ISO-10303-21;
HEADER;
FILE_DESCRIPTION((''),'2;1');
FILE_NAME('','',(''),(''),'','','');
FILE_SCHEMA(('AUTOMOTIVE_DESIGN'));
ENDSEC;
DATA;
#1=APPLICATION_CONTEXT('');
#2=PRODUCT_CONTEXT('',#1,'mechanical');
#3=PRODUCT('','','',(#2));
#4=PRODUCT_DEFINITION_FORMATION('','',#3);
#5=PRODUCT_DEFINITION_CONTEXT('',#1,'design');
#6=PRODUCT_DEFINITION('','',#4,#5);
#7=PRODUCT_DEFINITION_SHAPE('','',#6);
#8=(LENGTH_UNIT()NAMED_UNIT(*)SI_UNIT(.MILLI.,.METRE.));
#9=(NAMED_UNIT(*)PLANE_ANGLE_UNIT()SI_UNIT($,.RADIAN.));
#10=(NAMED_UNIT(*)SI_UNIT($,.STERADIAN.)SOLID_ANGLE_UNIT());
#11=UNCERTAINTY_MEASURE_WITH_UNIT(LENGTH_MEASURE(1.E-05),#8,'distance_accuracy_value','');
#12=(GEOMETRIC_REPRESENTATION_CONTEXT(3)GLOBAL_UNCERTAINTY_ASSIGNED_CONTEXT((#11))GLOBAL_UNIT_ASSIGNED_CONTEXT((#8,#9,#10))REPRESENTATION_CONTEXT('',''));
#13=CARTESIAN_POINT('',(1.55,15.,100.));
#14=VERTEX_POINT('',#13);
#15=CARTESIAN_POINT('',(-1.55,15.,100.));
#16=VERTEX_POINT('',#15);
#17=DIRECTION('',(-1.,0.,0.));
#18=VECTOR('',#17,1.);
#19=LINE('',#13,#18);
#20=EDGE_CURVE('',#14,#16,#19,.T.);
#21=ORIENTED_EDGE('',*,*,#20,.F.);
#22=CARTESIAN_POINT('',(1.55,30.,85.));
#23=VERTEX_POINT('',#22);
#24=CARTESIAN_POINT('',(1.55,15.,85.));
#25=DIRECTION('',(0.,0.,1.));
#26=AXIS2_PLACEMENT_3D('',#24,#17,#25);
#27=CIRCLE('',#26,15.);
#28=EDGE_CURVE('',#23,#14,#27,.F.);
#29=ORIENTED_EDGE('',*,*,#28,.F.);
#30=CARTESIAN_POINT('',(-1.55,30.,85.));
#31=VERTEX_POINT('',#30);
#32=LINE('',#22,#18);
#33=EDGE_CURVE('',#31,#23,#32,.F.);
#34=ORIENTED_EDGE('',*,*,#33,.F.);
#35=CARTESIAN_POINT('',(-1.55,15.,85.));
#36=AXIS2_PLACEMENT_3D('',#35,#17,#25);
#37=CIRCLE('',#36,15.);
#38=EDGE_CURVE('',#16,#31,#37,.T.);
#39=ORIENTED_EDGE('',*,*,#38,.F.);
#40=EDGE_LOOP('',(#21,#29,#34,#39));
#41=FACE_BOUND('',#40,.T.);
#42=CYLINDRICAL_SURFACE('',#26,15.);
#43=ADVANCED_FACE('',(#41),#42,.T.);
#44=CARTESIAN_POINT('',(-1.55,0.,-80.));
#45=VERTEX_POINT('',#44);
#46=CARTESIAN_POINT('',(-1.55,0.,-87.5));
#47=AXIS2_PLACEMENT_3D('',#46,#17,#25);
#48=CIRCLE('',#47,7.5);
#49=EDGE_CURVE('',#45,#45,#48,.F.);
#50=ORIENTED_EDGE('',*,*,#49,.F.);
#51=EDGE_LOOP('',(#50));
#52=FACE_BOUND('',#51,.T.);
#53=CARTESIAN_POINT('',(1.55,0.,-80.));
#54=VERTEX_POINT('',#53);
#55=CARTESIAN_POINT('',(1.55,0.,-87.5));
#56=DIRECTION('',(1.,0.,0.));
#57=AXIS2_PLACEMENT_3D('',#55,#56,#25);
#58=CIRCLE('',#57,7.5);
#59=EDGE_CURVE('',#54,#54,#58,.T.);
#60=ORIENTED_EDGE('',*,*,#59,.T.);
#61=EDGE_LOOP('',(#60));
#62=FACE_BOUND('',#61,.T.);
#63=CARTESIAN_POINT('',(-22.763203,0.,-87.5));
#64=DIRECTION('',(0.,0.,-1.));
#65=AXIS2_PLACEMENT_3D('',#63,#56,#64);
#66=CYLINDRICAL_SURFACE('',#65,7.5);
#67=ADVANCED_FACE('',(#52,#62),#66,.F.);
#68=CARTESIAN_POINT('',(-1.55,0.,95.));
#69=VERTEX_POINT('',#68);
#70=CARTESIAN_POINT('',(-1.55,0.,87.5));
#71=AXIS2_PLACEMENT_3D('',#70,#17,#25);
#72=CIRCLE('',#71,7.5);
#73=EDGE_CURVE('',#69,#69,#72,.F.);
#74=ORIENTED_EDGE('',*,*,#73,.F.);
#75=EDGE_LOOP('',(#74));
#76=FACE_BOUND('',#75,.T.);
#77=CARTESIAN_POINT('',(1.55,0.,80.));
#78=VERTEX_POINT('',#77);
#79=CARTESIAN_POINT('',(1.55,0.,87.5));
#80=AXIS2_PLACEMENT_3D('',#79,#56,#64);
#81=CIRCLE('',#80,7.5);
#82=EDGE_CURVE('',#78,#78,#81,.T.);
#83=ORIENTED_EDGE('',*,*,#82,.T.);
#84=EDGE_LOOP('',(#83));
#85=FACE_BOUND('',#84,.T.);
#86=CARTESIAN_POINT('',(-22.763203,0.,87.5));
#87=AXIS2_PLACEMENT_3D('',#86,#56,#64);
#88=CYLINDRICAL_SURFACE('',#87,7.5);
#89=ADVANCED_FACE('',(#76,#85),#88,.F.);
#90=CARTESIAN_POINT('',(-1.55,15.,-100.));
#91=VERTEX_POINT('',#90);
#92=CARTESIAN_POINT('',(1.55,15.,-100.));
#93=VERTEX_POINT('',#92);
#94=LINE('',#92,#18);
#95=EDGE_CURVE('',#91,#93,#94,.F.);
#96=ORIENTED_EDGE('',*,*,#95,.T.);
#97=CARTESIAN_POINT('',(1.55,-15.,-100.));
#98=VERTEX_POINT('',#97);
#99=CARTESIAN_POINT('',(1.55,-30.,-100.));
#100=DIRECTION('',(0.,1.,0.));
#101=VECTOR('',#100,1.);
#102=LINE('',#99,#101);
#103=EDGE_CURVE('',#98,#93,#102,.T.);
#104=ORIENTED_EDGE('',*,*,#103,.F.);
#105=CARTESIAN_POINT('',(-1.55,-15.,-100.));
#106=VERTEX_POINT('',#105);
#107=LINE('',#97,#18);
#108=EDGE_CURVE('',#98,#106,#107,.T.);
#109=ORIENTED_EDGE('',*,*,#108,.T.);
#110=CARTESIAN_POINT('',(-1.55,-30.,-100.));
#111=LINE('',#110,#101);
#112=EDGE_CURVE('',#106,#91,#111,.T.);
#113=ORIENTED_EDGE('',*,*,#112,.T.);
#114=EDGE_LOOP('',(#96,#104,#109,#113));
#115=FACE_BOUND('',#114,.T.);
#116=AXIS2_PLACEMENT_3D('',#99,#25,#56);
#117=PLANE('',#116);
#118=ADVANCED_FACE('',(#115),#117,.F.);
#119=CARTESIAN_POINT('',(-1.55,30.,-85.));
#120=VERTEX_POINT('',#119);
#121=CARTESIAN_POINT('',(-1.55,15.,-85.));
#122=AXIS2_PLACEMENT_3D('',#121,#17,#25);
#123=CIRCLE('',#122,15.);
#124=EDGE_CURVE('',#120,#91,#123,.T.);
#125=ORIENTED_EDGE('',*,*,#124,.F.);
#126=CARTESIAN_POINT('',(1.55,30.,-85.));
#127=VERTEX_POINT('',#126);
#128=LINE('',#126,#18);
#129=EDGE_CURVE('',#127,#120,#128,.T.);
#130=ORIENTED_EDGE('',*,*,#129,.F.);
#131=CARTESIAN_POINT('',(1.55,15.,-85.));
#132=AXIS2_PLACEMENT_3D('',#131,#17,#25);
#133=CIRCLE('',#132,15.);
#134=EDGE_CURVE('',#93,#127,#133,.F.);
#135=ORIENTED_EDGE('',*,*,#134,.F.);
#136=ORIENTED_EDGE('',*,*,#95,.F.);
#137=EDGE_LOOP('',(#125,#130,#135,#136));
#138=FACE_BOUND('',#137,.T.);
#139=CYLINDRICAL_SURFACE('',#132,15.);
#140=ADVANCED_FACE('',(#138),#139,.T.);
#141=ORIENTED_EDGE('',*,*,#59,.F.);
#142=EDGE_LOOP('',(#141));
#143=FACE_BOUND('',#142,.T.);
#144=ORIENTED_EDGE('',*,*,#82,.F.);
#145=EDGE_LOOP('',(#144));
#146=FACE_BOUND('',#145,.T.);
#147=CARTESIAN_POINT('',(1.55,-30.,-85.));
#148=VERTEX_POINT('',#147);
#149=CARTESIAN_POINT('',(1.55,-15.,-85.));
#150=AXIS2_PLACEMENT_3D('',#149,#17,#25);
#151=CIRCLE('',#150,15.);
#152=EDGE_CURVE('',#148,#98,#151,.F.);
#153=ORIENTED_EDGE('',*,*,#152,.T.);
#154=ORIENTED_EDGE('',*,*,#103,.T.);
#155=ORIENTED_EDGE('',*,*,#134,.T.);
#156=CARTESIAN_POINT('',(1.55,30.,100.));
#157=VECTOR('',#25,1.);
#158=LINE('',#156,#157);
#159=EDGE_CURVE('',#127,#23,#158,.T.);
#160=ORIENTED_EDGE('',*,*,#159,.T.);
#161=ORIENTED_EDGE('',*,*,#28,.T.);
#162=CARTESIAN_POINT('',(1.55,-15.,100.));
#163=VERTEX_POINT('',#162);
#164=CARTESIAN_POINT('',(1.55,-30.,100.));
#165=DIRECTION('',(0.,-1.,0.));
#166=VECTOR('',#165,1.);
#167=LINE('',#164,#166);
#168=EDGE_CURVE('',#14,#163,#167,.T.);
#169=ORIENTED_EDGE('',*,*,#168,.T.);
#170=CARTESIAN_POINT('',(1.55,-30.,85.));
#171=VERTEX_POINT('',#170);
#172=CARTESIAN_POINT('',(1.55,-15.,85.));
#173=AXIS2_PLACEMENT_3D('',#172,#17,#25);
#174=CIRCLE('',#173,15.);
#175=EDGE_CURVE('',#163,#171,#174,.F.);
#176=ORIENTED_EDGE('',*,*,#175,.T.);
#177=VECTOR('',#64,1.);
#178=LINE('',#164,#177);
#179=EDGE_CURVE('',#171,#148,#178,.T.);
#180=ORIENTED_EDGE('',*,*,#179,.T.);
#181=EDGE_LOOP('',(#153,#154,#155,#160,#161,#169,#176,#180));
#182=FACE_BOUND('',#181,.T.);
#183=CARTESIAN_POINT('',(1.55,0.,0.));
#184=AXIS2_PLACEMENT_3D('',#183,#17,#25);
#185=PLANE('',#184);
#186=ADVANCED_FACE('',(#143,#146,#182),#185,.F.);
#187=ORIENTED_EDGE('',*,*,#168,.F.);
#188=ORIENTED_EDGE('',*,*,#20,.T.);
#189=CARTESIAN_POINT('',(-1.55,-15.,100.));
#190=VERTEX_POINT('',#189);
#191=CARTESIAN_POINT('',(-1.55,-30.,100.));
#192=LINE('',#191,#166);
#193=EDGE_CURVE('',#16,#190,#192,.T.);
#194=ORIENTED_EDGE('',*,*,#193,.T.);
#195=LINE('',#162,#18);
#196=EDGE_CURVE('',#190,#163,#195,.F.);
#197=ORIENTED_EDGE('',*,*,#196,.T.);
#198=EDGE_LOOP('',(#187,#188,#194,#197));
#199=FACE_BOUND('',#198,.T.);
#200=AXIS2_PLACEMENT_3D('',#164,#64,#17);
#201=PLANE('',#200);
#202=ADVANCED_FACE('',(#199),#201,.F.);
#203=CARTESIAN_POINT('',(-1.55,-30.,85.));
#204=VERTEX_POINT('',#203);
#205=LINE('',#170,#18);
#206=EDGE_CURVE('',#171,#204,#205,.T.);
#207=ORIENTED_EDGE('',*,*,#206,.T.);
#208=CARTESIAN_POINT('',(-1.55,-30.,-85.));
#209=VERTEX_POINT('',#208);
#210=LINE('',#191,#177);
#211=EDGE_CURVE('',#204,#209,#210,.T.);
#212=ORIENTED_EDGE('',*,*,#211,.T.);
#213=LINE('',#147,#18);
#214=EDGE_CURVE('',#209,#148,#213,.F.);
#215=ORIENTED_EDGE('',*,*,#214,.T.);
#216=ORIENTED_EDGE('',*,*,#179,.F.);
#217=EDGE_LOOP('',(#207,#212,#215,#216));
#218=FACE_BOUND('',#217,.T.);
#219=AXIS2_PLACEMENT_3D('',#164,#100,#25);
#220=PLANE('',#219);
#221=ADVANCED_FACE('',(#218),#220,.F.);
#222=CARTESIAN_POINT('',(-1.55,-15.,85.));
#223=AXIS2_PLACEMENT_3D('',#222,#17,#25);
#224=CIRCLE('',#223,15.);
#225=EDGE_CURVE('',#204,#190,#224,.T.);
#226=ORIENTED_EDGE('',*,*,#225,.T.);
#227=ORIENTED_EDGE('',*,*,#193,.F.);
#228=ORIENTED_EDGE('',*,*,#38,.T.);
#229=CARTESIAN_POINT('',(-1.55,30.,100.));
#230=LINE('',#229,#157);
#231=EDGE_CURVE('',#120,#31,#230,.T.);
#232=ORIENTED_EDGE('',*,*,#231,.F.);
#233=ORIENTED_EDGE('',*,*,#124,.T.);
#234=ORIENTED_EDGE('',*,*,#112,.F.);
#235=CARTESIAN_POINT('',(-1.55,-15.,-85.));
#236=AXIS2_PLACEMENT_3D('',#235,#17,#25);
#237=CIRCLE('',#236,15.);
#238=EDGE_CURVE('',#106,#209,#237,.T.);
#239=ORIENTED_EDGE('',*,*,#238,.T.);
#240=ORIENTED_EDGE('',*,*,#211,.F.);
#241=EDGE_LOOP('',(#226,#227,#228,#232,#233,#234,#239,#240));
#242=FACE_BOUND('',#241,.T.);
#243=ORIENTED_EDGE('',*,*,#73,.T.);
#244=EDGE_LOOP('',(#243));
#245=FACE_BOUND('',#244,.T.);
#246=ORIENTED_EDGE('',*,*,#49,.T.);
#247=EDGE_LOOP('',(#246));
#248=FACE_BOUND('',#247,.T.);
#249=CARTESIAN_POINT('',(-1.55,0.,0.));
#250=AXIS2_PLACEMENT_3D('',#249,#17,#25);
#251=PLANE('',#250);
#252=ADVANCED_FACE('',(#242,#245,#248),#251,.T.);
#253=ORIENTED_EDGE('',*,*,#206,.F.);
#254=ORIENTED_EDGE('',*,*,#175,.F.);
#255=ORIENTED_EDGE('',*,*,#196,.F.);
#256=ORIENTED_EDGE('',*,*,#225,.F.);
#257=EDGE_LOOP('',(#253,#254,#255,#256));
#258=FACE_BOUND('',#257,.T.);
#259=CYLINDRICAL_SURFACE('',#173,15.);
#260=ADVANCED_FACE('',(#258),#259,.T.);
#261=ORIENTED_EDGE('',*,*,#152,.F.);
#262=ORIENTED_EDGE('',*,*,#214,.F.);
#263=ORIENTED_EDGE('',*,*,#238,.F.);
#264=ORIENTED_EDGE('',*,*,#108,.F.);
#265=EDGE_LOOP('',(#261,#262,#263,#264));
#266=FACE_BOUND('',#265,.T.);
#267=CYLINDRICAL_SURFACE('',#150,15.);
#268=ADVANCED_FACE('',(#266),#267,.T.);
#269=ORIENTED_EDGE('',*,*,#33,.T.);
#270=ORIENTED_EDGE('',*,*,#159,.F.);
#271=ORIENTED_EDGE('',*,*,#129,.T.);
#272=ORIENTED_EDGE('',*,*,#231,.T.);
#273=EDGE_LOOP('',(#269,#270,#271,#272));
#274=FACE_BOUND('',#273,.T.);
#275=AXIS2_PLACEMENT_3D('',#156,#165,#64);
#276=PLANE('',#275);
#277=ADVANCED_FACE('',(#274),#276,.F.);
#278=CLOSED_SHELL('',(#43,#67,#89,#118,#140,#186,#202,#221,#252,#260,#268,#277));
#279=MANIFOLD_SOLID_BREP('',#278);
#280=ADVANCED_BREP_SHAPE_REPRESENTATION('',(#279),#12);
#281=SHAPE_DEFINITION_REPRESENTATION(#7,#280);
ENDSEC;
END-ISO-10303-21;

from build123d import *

# Parameters (mm, degrees)
CROQUIS1_W              = 200
CROQUIS1_H              = 60
SALIENTE_EXTRUIR1_DEPTH = 1.55
REDONDEO1_R             = 15
CROQUIS2_R              = 7.5
CORTAR_EXTRUIR1_DEPTH   = 3.1


with BuildPart() as part:
    # Croquis1 → Saliente-Extruir1 (new body, symmetric)
    with BuildSketch(Plane(origin=(0, 0, 0), x_dir=(0, 0, -1), z_dir=(1, 0, 0))):
        Rectangle(CROQUIS1_W, CROQUIS1_H)
    extrude(amount=SALIENTE_EXTRUIR1_DEPTH, both=True)

    # Redondeo1
    redondeo1_edges = [part.edges().sort_by_distance(p)[0] for p in [
        (0, -30, -100),
        (0, -30, 100),
        (0, 30, 100),
        (0, 30, -100),
    ]]
    fillet(redondeo1_edges, radius=REDONDEO1_R)

    # Croquis2 → Cortar-Extruir1 (cut)
    with BuildSketch(Plane(origin=(1.55, 0, 0), x_dir=(0, 0, -1), z_dir=(1, 0, 0))):
        with Locations((-87.5, 0)):
            Circle(CROQUIS2_R)
        with Locations((87.5, 0)):
            Circle(CROQUIS2_R)
    extrude(amount=-CORTAR_EXTRUIR1_DEPTH, mode=Mode.SUBTRACT)


solid = part.part
